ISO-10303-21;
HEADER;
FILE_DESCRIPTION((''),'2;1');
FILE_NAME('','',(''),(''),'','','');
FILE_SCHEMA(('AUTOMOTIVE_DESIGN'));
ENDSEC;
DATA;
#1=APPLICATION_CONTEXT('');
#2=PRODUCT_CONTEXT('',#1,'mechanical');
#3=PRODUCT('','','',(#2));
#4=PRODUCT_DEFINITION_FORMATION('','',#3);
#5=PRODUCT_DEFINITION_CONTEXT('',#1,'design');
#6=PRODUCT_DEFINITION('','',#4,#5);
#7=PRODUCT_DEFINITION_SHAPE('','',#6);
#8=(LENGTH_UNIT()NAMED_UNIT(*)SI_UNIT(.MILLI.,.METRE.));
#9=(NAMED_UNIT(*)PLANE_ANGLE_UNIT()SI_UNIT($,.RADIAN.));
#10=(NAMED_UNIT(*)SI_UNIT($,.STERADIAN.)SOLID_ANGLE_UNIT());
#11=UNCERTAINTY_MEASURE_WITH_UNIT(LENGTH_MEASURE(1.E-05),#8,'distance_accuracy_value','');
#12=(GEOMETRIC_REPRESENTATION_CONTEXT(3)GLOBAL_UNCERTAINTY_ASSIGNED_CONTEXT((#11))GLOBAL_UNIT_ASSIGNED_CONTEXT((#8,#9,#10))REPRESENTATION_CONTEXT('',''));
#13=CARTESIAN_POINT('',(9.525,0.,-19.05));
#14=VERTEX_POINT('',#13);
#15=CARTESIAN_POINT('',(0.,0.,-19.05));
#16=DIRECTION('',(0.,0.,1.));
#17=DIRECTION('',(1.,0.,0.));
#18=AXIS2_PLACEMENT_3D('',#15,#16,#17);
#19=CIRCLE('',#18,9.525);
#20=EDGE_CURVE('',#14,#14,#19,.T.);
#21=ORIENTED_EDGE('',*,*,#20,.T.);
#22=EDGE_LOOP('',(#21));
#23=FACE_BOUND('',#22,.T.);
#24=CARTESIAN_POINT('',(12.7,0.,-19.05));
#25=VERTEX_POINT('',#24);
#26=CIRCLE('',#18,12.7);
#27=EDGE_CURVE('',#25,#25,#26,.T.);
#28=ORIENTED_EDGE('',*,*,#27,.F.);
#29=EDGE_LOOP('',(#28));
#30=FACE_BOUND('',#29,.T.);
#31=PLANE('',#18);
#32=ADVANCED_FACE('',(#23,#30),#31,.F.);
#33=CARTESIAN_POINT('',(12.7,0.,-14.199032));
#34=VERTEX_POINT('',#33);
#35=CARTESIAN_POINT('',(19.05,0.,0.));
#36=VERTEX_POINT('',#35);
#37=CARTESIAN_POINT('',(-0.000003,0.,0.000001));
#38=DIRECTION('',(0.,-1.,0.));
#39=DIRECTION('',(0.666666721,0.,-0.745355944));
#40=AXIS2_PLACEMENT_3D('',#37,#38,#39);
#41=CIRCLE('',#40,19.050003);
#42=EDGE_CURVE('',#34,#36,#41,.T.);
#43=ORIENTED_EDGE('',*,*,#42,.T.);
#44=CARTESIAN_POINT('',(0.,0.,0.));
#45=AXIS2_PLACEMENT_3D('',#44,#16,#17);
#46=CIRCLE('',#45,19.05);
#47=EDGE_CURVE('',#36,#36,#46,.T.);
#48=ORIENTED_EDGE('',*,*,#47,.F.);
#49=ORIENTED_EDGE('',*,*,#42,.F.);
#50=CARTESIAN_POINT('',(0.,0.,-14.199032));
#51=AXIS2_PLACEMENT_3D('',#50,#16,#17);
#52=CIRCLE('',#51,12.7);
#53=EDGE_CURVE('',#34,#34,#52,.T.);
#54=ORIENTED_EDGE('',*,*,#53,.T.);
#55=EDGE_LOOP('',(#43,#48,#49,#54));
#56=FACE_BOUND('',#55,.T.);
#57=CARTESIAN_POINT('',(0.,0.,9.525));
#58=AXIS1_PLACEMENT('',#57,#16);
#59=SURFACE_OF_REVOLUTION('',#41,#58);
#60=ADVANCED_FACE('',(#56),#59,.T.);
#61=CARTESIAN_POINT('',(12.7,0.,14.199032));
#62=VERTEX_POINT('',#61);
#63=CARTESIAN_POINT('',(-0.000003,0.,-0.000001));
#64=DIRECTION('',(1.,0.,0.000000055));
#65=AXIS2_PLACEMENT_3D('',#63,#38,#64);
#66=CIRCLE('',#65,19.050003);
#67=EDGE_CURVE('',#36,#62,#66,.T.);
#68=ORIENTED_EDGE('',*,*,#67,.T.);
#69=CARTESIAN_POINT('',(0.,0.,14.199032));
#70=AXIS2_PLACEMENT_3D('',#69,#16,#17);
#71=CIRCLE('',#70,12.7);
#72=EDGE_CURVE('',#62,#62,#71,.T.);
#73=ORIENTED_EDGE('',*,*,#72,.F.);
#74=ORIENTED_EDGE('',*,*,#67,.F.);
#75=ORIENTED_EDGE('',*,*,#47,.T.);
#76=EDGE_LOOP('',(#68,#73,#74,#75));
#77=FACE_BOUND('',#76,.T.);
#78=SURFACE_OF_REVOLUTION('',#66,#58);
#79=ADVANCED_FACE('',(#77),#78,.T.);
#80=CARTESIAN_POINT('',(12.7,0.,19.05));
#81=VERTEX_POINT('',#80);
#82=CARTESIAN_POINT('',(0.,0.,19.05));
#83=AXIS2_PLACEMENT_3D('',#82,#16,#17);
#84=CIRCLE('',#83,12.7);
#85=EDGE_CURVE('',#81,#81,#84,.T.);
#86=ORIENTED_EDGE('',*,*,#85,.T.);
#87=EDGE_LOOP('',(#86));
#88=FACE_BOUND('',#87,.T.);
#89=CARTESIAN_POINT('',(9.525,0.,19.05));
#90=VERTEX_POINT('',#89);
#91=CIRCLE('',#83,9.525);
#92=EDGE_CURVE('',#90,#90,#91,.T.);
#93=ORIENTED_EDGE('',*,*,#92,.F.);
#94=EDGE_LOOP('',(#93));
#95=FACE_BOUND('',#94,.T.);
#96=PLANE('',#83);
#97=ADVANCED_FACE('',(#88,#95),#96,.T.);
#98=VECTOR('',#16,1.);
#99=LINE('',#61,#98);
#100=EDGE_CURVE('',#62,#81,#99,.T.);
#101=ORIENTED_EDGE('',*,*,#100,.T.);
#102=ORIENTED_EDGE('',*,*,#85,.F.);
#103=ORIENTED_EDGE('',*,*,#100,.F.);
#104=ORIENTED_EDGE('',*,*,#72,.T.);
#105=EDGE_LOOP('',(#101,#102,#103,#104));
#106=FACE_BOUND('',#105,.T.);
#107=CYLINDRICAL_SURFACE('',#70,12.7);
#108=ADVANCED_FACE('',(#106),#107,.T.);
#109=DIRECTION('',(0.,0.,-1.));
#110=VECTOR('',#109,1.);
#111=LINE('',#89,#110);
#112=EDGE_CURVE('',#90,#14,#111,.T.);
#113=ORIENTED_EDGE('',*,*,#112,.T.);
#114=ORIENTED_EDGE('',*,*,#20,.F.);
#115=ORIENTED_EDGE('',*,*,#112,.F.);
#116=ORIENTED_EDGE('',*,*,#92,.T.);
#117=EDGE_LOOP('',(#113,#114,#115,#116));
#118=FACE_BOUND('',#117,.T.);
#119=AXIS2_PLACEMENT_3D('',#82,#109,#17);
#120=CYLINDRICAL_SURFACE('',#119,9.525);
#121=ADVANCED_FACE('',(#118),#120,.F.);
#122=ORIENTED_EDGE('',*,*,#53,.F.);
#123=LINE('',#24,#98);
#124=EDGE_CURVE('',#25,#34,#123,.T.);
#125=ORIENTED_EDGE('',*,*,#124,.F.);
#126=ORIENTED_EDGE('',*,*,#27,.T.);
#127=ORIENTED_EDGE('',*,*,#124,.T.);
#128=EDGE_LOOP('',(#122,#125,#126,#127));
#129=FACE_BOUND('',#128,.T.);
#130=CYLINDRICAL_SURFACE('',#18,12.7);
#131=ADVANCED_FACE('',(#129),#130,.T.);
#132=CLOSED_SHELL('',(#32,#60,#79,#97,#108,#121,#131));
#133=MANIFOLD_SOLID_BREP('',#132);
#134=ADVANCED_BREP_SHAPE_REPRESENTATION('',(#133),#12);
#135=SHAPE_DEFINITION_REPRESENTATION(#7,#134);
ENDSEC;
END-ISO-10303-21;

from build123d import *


with BuildPart() as f1:
    # F0 (on Front) → F1 (revolve)
    with BuildSketch(Plane.XZ):
        with BuildLine():
            Line((9.525, 19.05), (9.525, 0))
            Line((9.525, 0), (9.525, -19.05))
            Line((9.525, -19.05), (12.7, -19.05))
            Line((12.7, -19.05), (12.7, -14.199032))
            ThreePointArc((12.7, -14.199032), (17.390191, -7.77713), (19.05, 0))
            ThreePointArc((19.05, 0), (17.390191, 7.77713), (12.7, 14.199032))
            Line((12.7, 14.199032), (12.7, 19.05))
            Line((12.7, 19.05), (9.525, 19.05))
        make_face()
    revolve(axis=Axis((0, 0, 9.525), (0, 0, 1)))


solid = f1.part
